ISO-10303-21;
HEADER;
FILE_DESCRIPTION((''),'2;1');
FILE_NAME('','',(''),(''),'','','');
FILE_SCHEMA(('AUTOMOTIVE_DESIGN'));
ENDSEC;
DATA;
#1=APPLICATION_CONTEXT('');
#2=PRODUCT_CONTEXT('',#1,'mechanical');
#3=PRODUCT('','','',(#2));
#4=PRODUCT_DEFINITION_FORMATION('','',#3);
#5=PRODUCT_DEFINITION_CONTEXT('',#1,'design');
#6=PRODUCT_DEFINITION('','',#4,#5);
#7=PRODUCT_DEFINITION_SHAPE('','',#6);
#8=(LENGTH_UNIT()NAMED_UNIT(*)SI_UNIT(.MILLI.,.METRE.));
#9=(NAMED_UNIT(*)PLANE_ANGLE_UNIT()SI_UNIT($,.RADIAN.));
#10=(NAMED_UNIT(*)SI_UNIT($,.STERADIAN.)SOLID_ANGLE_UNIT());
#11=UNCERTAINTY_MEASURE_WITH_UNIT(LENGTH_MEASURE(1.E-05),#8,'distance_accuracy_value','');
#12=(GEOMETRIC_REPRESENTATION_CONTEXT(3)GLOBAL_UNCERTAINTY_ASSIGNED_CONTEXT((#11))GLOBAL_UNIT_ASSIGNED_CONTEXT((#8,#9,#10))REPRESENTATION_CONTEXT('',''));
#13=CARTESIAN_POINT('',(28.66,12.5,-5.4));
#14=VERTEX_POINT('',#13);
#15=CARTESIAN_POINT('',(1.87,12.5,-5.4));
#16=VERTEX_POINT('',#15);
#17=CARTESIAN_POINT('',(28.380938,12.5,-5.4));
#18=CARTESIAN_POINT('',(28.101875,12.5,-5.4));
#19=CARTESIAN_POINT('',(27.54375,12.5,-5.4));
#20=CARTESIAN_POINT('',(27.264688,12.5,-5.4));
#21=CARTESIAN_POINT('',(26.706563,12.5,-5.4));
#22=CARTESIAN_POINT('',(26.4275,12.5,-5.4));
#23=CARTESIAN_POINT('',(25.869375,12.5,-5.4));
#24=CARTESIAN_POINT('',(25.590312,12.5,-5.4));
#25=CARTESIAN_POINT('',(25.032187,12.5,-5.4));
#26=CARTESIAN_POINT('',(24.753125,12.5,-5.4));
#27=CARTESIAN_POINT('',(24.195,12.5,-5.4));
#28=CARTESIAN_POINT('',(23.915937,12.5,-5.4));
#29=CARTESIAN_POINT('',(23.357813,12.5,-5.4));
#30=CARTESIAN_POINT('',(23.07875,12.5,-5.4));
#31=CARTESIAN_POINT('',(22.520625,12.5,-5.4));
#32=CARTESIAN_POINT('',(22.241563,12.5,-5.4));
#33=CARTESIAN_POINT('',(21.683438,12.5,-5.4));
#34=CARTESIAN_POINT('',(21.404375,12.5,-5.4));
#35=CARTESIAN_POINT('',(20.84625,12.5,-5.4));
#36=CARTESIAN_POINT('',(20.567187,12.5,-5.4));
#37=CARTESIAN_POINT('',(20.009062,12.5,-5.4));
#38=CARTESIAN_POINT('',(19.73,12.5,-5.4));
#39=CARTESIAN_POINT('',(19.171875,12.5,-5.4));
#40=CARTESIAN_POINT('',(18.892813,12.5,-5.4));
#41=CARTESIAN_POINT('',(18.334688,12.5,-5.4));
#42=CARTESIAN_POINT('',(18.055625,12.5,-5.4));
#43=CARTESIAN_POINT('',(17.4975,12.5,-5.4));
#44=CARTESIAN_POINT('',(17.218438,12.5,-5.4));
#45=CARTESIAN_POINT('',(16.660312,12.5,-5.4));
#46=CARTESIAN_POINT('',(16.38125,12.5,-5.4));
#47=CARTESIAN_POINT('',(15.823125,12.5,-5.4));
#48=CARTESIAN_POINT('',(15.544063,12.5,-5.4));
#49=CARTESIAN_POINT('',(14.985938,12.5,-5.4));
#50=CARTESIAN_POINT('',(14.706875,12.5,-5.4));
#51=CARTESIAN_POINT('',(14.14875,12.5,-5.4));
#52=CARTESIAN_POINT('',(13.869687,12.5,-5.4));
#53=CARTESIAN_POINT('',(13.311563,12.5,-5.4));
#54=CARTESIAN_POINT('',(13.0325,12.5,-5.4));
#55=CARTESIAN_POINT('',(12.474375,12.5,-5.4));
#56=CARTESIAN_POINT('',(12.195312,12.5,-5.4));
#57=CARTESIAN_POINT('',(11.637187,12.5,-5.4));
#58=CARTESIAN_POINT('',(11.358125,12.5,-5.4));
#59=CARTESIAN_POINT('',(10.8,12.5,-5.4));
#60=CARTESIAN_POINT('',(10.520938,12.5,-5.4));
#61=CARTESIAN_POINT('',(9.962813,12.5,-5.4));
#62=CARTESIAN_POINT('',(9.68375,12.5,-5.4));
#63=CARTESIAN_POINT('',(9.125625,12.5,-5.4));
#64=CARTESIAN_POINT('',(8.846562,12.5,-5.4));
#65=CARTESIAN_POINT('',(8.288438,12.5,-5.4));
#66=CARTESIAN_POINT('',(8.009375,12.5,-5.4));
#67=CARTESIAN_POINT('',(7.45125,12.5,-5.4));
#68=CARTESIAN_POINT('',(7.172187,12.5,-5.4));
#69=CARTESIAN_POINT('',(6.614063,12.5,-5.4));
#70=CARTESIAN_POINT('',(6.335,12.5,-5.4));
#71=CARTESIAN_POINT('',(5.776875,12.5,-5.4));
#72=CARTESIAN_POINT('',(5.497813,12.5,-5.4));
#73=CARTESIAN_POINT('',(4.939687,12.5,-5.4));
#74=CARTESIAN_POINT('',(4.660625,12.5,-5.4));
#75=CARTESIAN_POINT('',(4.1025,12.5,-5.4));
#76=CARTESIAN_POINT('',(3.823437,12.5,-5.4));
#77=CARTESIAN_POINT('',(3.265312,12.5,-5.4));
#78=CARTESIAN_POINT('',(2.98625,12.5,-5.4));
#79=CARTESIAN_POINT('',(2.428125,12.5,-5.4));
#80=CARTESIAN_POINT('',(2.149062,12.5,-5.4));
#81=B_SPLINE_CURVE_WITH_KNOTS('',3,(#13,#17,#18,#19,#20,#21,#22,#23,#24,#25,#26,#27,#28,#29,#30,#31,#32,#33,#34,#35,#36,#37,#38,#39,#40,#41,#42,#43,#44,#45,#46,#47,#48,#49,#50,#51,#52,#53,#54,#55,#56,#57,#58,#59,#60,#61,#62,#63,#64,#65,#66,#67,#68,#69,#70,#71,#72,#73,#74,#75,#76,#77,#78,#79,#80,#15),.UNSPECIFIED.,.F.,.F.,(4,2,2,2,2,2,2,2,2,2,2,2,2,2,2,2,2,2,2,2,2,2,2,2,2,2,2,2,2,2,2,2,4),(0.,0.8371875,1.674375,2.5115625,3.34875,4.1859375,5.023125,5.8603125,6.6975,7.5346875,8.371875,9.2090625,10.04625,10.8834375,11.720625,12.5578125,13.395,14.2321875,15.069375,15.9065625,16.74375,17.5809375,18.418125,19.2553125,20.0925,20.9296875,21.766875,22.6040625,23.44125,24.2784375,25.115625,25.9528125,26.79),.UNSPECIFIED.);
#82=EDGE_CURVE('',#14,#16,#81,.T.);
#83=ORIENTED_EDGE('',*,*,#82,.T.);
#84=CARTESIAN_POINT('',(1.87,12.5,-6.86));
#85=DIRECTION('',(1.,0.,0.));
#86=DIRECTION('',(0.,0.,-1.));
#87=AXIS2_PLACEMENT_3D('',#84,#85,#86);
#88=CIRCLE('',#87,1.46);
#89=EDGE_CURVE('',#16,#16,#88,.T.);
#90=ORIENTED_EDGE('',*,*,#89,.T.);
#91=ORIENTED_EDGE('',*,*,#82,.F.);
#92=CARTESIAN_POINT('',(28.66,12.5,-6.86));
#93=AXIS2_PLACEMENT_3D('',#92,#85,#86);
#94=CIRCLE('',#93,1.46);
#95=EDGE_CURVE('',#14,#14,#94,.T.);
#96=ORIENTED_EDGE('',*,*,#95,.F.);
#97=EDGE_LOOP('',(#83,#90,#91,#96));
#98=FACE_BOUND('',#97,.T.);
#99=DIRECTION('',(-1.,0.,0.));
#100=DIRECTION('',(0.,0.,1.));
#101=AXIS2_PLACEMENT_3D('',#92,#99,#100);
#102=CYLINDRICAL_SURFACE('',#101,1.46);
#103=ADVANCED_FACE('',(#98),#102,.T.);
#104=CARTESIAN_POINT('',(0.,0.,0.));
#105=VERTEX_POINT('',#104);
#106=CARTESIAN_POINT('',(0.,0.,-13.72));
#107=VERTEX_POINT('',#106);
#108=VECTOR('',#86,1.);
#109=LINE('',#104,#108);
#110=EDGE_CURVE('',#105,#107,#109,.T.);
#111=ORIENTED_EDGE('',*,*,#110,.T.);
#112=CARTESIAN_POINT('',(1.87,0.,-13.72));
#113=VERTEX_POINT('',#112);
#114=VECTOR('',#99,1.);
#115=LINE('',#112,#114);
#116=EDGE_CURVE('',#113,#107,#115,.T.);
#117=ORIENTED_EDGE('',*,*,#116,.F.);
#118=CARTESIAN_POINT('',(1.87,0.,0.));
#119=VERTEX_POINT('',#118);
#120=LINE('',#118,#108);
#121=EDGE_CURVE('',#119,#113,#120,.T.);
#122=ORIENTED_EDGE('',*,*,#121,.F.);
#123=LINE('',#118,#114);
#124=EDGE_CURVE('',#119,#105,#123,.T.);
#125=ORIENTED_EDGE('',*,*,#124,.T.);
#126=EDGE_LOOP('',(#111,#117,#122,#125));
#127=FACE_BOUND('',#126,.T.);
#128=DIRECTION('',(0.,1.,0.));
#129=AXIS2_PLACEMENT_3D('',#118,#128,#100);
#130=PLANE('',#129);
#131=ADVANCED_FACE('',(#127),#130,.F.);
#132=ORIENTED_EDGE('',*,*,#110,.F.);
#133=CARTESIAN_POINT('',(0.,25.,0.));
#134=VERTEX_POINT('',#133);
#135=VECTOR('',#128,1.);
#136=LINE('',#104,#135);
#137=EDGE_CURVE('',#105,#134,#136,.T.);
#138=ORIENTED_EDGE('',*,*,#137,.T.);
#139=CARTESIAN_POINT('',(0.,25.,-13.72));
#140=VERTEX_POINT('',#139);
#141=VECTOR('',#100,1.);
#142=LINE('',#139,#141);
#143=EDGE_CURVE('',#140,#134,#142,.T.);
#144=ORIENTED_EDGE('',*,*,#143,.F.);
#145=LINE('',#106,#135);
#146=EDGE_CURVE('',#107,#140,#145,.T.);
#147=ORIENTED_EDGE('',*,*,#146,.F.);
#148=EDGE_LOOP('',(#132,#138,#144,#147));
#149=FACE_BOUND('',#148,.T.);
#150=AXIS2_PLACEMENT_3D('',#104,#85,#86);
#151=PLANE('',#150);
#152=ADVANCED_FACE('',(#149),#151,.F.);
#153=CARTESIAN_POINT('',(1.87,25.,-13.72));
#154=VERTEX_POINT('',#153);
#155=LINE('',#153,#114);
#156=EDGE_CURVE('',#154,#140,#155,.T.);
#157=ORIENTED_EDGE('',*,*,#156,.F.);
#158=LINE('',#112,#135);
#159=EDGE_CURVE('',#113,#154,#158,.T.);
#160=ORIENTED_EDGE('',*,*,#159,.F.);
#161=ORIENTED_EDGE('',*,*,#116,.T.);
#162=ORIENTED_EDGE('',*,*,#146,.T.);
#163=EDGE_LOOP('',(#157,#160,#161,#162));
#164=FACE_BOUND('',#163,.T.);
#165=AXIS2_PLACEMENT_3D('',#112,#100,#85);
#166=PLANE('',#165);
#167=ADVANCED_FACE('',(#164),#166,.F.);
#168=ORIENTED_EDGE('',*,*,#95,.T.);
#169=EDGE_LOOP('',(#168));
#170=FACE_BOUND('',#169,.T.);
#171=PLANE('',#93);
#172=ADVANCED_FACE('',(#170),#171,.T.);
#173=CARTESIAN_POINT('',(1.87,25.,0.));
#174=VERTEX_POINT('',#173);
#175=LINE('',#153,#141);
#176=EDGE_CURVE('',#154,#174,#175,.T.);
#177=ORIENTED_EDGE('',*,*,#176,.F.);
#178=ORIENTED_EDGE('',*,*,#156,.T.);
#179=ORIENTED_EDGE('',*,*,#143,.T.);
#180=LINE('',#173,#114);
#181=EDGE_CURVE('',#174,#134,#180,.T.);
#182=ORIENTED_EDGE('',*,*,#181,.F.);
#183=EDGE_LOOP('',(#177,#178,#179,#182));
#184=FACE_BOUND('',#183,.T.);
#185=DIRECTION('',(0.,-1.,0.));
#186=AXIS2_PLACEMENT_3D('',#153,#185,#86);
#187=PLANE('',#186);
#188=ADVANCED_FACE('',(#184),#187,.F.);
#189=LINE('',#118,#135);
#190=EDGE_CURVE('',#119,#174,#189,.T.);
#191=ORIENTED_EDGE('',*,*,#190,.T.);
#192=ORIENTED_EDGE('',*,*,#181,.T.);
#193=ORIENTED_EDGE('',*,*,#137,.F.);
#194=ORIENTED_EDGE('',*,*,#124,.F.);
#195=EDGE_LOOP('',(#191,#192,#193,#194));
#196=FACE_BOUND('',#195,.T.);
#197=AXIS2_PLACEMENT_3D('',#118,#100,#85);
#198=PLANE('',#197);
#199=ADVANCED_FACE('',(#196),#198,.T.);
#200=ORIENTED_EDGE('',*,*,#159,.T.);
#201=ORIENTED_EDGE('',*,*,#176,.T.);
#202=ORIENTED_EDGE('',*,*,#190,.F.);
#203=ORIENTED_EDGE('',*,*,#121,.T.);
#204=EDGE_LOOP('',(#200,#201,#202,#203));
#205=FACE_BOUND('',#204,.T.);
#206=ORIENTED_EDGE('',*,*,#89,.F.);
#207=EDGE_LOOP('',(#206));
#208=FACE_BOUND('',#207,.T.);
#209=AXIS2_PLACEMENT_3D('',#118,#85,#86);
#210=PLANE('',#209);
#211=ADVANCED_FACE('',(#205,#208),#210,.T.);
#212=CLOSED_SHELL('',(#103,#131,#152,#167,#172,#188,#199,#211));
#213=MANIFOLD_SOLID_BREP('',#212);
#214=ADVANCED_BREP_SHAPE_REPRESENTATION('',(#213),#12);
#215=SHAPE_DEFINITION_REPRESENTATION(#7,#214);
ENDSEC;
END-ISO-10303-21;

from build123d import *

# Parameters (mm, degrees)
ESQUISSE1_W        = 13.72
ESQUISSE1_H        = 25
BOSS_EXTRU_1_DEPTH = 1.87
ESQUISSE2_R        = 1.46
BOSS_EXTRU_2_DEPTH = 26.79


with BuildPart() as part:
    # Esquisse1 → Boss.-Extru.1 (new body)
    with BuildSketch(Plane(origin=(0, 0, 0), x_dir=(0, 0, -1), z_dir=(1, 0, 0))):
        with Locations((6.86, 12.5)):
            Rectangle(ESQUISSE1_W, ESQUISSE1_H)
    extrude(amount=BOSS_EXTRU_1_DEPTH)

    # Esquisse2 → Boss.-Extru.2 (add)
    with BuildSketch(Plane(origin=(1.87, 0, 0), x_dir=(0, 0, -1), z_dir=(1, 0, 0))):
        with Locations(Location((6.86, 12.5, 0), (0, 0, 180))):
            Circle(ESQUISSE2_R)
    extrude(amount=BOSS_EXTRU_2_DEPTH)


solid = part.part
